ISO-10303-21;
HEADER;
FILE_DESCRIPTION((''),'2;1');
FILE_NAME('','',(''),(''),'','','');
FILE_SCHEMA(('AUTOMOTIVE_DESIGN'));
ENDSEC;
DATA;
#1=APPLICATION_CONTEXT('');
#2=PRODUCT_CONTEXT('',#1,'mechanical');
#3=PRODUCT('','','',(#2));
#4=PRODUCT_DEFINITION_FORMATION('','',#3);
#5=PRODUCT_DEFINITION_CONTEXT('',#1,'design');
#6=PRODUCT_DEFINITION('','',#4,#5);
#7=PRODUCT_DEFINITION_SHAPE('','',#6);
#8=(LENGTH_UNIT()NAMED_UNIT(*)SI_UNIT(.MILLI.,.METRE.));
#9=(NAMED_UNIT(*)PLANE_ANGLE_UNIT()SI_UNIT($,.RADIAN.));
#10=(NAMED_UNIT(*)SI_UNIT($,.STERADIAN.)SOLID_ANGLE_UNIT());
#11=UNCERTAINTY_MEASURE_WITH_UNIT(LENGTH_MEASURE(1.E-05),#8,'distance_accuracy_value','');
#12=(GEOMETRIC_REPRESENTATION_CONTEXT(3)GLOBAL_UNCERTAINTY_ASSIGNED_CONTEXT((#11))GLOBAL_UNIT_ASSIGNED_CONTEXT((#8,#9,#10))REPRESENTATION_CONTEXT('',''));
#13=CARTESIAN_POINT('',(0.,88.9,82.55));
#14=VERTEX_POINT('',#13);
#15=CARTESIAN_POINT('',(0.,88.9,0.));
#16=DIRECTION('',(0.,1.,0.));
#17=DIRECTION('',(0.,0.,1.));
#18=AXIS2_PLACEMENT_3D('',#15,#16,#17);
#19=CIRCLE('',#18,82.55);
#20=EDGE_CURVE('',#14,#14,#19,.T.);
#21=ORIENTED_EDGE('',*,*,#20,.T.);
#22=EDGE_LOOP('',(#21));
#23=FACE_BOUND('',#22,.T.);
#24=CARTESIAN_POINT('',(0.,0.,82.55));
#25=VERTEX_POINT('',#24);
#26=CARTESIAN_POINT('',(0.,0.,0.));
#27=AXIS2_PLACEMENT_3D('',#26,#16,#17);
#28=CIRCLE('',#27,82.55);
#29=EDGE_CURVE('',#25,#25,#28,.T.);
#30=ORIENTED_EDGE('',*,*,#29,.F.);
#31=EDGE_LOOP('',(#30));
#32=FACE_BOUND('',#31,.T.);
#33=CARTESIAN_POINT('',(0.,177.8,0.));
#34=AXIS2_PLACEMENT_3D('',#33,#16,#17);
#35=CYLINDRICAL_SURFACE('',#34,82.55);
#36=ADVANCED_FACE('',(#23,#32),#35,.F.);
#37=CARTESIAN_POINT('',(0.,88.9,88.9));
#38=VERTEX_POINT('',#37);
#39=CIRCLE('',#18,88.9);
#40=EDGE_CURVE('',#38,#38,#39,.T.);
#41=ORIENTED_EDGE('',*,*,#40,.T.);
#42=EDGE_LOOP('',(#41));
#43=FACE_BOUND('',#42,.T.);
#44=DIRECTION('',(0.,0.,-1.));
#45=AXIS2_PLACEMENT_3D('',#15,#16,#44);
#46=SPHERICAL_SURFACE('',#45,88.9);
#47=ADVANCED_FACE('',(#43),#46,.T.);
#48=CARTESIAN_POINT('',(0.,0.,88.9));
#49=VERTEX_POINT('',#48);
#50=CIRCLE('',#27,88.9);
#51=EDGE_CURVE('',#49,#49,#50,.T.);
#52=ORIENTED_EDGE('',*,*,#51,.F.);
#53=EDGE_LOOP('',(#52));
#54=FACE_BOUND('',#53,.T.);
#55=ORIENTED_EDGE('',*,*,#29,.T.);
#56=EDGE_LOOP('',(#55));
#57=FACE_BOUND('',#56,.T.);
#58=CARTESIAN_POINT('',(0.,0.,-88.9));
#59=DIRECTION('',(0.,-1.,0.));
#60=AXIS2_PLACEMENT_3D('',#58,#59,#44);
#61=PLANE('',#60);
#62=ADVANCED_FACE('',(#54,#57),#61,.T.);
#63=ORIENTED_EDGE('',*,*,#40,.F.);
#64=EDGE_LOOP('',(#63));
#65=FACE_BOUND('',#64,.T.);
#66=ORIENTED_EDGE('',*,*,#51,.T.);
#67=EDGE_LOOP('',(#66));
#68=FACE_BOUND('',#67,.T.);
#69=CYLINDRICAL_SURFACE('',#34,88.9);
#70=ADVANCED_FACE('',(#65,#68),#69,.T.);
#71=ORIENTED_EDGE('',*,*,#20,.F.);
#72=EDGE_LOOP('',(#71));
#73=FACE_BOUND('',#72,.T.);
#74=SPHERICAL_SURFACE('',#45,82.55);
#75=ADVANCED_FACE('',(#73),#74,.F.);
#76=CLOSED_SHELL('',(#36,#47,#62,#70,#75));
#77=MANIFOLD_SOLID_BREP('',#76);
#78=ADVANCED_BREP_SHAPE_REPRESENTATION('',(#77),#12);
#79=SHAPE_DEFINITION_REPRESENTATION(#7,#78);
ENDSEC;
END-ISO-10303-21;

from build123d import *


with BuildPart() as part:
    # Sketch1 → Revolve-Thin1 (revolve)
    with BuildSketch(Plane(origin=(0, 0, 0), x_dir=(0, 0, -1), z_dir=(1, 0, 0))):
        with BuildLine():
            Line((88.9, 0), (88.9, 88.9))
            ThreePointArc((88.9, 88.9), (62.861792847, 151.761792847), (0, 177.8))
            Line((0, 177.8), (0, 171.45))
            ThreePointArc((0, 171.45), (58.371664787, 147.271664787), (82.55, 88.9))
            Line((82.55, 88.9), (82.55, 0))
            Line((82.55, 0), (88.9, 0))
        make_face()
    revolve(axis=Axis((0, 177.8, 0), (0, -1, 0)))


solid = part.part
